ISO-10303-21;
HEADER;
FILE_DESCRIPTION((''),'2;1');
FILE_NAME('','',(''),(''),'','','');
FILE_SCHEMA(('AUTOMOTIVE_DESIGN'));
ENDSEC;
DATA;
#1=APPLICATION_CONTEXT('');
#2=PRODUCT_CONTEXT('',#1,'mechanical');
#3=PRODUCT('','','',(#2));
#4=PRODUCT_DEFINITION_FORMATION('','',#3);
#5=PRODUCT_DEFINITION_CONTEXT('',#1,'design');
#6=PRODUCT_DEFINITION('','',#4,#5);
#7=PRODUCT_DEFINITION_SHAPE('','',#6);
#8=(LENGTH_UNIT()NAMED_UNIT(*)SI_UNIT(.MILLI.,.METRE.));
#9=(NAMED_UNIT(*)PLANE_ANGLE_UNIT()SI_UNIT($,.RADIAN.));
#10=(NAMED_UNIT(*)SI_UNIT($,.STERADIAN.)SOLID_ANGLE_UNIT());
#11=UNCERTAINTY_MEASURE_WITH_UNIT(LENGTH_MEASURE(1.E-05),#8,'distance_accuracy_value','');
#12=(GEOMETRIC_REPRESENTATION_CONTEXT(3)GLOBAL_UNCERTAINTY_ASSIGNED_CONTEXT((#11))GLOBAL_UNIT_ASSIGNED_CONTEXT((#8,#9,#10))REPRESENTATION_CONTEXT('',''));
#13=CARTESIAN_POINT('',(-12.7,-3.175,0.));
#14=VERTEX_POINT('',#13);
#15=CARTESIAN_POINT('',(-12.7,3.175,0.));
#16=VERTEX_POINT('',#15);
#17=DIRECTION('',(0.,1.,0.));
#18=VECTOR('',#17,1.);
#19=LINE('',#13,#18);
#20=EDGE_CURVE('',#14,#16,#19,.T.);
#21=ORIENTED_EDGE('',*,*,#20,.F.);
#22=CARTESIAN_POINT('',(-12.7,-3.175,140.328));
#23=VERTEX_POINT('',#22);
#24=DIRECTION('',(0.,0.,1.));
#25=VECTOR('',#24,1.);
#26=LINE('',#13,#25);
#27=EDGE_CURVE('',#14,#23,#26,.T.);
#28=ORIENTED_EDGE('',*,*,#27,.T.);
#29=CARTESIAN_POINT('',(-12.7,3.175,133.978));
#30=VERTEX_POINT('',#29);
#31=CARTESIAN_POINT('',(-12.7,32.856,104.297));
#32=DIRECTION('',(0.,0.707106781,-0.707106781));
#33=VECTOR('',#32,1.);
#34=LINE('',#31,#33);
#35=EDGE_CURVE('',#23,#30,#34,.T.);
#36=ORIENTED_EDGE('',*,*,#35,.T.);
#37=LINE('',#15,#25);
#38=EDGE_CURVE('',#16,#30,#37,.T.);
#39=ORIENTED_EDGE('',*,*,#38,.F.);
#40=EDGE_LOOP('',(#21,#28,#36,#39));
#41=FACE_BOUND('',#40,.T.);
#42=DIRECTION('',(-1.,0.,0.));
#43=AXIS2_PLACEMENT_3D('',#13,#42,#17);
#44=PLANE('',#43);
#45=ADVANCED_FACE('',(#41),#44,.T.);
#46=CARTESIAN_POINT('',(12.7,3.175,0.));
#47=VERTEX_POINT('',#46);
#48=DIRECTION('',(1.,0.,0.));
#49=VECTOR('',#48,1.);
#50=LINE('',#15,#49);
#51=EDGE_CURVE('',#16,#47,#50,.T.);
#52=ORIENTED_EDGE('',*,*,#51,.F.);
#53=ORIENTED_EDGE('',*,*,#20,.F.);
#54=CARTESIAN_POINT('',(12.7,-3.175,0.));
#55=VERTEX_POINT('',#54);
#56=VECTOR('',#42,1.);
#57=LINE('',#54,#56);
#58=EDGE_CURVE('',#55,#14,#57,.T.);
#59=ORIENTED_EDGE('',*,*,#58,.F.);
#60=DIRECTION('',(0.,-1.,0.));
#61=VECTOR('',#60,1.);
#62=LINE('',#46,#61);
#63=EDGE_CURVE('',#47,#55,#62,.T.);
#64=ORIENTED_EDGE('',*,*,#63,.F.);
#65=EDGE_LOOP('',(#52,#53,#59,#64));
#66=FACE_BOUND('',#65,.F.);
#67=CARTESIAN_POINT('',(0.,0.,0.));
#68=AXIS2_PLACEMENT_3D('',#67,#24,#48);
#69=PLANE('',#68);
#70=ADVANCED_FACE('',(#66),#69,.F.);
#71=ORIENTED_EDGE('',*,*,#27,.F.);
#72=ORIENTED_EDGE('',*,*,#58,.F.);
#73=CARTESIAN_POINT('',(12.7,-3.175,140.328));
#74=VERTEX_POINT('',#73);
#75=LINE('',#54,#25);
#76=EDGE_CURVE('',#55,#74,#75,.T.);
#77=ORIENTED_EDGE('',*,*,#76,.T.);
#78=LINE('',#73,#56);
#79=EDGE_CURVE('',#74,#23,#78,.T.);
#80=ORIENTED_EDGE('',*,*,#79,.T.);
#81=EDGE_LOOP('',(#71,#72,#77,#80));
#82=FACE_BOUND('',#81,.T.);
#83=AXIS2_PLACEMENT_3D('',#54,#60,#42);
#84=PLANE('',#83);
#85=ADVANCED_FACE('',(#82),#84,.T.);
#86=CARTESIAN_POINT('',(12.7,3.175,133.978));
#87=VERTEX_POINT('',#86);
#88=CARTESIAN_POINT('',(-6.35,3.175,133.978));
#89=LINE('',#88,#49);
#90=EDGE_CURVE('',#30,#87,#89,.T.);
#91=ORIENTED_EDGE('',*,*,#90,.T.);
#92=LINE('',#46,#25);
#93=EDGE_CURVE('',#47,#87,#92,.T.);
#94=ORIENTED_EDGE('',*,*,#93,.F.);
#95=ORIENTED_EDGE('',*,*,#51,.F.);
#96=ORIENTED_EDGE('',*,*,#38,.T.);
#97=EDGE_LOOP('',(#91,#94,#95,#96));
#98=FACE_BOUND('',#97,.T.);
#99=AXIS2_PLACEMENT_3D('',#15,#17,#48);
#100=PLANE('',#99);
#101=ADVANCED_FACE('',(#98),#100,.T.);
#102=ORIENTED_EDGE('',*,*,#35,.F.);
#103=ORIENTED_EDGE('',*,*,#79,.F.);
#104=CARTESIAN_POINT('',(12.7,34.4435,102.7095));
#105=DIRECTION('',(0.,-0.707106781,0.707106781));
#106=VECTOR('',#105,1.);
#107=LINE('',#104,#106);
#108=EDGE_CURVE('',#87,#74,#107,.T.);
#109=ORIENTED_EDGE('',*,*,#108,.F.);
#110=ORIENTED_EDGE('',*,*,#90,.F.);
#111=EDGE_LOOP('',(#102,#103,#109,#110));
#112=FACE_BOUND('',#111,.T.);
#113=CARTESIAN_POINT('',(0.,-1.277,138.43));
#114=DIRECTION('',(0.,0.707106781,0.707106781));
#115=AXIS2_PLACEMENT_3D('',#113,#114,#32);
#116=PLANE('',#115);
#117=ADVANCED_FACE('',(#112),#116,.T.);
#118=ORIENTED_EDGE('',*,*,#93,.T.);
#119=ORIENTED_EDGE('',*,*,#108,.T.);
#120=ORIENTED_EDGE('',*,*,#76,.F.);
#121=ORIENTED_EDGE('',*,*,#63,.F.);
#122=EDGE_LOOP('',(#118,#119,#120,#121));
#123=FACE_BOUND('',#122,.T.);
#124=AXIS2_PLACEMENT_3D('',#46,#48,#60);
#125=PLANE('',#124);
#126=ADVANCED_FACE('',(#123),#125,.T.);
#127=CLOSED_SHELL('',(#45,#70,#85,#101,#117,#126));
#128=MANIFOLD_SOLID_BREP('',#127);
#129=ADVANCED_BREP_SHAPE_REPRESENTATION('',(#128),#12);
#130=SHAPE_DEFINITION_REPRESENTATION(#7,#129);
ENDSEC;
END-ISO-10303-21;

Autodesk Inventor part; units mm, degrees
ref_plane "Start plane" through (0, 0, 0) normal (0, 0, 1) x (1, 0, 0)
ref_plane "End plane" through (0, 0, 140.328) normal (0, 0, 1) x (1, 0, 0)
sketch "Sketch" plane through (0, 0, 0) normal (0, 0, 1) x (1, 0, 0)
  line L0 (12.7, -3.175) -> (-12.7, -3.175)
  line L1 (-12.7, -3.175) -> (-12.7, 3.175)
  line L2 (-12.7, 3.175) -> (12.7, 3.175)
  line L3 (12.7, 3.175) -> (12.7, -3.175)
  line L4 (-6, 0) -> (8, 0) construction
  line L5 (0, -30) -> (0, 40) construction
  line L6 (0, 54) -> (0, -44) construction
  line L7 (-17.78, 0) -> (17.78, 0) construction
  dimension "d0" = 6.35
  dimension "d1" = 25.4
  dimension "d4" = 12.7
  dimension "d5" = 3.175
extrude "Body" add sketch "Sketch" along normal up to surface (140.328 mm away) from surface at 0
sketch "Sketch3" plane through (0, 0, 0) normal (0, 0, 1) x (1, 0, 0)
  line L0 (0, 0) -> (10, 0)
ref_plane "Work Plane3" through (0, 0, 0) normal (0, -1, 0) x (1, 0, 0)
sketch "Sketch4" plane through (0, 0, 0) normal (0, -1, 0) x (1, 0, 0)
  line L0 (-2, 0) -> (12, 0)
  line L1 (-2, 140.328) -> (12, 140.328)
  dimension "d9" = 140.328
ref_plane "Work Plane4" through (0, -1.277, 138.43) normal (0, 0.7071, 0.7071) x (1, 0, 0)
split "Split1" plane through (0, -1.277, 138.43) removes the side toward (0, 0.7071, 0.7071)
equation "\"d0\" = G_W"
equation "\"d1\" = G_H"
equation "\"d4\" = 0.5 * d1"
equation "\"d5\" = 0.5 * d0"
equation "\"d2\" = G_L"
equation "\"G_W\" = 6.35"
equation "\"G_H\" = 25.4"
equation "\"G_L\" = d9"
equation "\"G_OFFSET_START\" = 0"
equation "\"G_OFFSET_END\" = -4.452"
equation "\"d7\" = G_OFFSET_END + B_L"
equation "\"B_L\" = 144.78"
properties part number "AISC - 1/4x1 - 5.525" material "Steel, Mild"
